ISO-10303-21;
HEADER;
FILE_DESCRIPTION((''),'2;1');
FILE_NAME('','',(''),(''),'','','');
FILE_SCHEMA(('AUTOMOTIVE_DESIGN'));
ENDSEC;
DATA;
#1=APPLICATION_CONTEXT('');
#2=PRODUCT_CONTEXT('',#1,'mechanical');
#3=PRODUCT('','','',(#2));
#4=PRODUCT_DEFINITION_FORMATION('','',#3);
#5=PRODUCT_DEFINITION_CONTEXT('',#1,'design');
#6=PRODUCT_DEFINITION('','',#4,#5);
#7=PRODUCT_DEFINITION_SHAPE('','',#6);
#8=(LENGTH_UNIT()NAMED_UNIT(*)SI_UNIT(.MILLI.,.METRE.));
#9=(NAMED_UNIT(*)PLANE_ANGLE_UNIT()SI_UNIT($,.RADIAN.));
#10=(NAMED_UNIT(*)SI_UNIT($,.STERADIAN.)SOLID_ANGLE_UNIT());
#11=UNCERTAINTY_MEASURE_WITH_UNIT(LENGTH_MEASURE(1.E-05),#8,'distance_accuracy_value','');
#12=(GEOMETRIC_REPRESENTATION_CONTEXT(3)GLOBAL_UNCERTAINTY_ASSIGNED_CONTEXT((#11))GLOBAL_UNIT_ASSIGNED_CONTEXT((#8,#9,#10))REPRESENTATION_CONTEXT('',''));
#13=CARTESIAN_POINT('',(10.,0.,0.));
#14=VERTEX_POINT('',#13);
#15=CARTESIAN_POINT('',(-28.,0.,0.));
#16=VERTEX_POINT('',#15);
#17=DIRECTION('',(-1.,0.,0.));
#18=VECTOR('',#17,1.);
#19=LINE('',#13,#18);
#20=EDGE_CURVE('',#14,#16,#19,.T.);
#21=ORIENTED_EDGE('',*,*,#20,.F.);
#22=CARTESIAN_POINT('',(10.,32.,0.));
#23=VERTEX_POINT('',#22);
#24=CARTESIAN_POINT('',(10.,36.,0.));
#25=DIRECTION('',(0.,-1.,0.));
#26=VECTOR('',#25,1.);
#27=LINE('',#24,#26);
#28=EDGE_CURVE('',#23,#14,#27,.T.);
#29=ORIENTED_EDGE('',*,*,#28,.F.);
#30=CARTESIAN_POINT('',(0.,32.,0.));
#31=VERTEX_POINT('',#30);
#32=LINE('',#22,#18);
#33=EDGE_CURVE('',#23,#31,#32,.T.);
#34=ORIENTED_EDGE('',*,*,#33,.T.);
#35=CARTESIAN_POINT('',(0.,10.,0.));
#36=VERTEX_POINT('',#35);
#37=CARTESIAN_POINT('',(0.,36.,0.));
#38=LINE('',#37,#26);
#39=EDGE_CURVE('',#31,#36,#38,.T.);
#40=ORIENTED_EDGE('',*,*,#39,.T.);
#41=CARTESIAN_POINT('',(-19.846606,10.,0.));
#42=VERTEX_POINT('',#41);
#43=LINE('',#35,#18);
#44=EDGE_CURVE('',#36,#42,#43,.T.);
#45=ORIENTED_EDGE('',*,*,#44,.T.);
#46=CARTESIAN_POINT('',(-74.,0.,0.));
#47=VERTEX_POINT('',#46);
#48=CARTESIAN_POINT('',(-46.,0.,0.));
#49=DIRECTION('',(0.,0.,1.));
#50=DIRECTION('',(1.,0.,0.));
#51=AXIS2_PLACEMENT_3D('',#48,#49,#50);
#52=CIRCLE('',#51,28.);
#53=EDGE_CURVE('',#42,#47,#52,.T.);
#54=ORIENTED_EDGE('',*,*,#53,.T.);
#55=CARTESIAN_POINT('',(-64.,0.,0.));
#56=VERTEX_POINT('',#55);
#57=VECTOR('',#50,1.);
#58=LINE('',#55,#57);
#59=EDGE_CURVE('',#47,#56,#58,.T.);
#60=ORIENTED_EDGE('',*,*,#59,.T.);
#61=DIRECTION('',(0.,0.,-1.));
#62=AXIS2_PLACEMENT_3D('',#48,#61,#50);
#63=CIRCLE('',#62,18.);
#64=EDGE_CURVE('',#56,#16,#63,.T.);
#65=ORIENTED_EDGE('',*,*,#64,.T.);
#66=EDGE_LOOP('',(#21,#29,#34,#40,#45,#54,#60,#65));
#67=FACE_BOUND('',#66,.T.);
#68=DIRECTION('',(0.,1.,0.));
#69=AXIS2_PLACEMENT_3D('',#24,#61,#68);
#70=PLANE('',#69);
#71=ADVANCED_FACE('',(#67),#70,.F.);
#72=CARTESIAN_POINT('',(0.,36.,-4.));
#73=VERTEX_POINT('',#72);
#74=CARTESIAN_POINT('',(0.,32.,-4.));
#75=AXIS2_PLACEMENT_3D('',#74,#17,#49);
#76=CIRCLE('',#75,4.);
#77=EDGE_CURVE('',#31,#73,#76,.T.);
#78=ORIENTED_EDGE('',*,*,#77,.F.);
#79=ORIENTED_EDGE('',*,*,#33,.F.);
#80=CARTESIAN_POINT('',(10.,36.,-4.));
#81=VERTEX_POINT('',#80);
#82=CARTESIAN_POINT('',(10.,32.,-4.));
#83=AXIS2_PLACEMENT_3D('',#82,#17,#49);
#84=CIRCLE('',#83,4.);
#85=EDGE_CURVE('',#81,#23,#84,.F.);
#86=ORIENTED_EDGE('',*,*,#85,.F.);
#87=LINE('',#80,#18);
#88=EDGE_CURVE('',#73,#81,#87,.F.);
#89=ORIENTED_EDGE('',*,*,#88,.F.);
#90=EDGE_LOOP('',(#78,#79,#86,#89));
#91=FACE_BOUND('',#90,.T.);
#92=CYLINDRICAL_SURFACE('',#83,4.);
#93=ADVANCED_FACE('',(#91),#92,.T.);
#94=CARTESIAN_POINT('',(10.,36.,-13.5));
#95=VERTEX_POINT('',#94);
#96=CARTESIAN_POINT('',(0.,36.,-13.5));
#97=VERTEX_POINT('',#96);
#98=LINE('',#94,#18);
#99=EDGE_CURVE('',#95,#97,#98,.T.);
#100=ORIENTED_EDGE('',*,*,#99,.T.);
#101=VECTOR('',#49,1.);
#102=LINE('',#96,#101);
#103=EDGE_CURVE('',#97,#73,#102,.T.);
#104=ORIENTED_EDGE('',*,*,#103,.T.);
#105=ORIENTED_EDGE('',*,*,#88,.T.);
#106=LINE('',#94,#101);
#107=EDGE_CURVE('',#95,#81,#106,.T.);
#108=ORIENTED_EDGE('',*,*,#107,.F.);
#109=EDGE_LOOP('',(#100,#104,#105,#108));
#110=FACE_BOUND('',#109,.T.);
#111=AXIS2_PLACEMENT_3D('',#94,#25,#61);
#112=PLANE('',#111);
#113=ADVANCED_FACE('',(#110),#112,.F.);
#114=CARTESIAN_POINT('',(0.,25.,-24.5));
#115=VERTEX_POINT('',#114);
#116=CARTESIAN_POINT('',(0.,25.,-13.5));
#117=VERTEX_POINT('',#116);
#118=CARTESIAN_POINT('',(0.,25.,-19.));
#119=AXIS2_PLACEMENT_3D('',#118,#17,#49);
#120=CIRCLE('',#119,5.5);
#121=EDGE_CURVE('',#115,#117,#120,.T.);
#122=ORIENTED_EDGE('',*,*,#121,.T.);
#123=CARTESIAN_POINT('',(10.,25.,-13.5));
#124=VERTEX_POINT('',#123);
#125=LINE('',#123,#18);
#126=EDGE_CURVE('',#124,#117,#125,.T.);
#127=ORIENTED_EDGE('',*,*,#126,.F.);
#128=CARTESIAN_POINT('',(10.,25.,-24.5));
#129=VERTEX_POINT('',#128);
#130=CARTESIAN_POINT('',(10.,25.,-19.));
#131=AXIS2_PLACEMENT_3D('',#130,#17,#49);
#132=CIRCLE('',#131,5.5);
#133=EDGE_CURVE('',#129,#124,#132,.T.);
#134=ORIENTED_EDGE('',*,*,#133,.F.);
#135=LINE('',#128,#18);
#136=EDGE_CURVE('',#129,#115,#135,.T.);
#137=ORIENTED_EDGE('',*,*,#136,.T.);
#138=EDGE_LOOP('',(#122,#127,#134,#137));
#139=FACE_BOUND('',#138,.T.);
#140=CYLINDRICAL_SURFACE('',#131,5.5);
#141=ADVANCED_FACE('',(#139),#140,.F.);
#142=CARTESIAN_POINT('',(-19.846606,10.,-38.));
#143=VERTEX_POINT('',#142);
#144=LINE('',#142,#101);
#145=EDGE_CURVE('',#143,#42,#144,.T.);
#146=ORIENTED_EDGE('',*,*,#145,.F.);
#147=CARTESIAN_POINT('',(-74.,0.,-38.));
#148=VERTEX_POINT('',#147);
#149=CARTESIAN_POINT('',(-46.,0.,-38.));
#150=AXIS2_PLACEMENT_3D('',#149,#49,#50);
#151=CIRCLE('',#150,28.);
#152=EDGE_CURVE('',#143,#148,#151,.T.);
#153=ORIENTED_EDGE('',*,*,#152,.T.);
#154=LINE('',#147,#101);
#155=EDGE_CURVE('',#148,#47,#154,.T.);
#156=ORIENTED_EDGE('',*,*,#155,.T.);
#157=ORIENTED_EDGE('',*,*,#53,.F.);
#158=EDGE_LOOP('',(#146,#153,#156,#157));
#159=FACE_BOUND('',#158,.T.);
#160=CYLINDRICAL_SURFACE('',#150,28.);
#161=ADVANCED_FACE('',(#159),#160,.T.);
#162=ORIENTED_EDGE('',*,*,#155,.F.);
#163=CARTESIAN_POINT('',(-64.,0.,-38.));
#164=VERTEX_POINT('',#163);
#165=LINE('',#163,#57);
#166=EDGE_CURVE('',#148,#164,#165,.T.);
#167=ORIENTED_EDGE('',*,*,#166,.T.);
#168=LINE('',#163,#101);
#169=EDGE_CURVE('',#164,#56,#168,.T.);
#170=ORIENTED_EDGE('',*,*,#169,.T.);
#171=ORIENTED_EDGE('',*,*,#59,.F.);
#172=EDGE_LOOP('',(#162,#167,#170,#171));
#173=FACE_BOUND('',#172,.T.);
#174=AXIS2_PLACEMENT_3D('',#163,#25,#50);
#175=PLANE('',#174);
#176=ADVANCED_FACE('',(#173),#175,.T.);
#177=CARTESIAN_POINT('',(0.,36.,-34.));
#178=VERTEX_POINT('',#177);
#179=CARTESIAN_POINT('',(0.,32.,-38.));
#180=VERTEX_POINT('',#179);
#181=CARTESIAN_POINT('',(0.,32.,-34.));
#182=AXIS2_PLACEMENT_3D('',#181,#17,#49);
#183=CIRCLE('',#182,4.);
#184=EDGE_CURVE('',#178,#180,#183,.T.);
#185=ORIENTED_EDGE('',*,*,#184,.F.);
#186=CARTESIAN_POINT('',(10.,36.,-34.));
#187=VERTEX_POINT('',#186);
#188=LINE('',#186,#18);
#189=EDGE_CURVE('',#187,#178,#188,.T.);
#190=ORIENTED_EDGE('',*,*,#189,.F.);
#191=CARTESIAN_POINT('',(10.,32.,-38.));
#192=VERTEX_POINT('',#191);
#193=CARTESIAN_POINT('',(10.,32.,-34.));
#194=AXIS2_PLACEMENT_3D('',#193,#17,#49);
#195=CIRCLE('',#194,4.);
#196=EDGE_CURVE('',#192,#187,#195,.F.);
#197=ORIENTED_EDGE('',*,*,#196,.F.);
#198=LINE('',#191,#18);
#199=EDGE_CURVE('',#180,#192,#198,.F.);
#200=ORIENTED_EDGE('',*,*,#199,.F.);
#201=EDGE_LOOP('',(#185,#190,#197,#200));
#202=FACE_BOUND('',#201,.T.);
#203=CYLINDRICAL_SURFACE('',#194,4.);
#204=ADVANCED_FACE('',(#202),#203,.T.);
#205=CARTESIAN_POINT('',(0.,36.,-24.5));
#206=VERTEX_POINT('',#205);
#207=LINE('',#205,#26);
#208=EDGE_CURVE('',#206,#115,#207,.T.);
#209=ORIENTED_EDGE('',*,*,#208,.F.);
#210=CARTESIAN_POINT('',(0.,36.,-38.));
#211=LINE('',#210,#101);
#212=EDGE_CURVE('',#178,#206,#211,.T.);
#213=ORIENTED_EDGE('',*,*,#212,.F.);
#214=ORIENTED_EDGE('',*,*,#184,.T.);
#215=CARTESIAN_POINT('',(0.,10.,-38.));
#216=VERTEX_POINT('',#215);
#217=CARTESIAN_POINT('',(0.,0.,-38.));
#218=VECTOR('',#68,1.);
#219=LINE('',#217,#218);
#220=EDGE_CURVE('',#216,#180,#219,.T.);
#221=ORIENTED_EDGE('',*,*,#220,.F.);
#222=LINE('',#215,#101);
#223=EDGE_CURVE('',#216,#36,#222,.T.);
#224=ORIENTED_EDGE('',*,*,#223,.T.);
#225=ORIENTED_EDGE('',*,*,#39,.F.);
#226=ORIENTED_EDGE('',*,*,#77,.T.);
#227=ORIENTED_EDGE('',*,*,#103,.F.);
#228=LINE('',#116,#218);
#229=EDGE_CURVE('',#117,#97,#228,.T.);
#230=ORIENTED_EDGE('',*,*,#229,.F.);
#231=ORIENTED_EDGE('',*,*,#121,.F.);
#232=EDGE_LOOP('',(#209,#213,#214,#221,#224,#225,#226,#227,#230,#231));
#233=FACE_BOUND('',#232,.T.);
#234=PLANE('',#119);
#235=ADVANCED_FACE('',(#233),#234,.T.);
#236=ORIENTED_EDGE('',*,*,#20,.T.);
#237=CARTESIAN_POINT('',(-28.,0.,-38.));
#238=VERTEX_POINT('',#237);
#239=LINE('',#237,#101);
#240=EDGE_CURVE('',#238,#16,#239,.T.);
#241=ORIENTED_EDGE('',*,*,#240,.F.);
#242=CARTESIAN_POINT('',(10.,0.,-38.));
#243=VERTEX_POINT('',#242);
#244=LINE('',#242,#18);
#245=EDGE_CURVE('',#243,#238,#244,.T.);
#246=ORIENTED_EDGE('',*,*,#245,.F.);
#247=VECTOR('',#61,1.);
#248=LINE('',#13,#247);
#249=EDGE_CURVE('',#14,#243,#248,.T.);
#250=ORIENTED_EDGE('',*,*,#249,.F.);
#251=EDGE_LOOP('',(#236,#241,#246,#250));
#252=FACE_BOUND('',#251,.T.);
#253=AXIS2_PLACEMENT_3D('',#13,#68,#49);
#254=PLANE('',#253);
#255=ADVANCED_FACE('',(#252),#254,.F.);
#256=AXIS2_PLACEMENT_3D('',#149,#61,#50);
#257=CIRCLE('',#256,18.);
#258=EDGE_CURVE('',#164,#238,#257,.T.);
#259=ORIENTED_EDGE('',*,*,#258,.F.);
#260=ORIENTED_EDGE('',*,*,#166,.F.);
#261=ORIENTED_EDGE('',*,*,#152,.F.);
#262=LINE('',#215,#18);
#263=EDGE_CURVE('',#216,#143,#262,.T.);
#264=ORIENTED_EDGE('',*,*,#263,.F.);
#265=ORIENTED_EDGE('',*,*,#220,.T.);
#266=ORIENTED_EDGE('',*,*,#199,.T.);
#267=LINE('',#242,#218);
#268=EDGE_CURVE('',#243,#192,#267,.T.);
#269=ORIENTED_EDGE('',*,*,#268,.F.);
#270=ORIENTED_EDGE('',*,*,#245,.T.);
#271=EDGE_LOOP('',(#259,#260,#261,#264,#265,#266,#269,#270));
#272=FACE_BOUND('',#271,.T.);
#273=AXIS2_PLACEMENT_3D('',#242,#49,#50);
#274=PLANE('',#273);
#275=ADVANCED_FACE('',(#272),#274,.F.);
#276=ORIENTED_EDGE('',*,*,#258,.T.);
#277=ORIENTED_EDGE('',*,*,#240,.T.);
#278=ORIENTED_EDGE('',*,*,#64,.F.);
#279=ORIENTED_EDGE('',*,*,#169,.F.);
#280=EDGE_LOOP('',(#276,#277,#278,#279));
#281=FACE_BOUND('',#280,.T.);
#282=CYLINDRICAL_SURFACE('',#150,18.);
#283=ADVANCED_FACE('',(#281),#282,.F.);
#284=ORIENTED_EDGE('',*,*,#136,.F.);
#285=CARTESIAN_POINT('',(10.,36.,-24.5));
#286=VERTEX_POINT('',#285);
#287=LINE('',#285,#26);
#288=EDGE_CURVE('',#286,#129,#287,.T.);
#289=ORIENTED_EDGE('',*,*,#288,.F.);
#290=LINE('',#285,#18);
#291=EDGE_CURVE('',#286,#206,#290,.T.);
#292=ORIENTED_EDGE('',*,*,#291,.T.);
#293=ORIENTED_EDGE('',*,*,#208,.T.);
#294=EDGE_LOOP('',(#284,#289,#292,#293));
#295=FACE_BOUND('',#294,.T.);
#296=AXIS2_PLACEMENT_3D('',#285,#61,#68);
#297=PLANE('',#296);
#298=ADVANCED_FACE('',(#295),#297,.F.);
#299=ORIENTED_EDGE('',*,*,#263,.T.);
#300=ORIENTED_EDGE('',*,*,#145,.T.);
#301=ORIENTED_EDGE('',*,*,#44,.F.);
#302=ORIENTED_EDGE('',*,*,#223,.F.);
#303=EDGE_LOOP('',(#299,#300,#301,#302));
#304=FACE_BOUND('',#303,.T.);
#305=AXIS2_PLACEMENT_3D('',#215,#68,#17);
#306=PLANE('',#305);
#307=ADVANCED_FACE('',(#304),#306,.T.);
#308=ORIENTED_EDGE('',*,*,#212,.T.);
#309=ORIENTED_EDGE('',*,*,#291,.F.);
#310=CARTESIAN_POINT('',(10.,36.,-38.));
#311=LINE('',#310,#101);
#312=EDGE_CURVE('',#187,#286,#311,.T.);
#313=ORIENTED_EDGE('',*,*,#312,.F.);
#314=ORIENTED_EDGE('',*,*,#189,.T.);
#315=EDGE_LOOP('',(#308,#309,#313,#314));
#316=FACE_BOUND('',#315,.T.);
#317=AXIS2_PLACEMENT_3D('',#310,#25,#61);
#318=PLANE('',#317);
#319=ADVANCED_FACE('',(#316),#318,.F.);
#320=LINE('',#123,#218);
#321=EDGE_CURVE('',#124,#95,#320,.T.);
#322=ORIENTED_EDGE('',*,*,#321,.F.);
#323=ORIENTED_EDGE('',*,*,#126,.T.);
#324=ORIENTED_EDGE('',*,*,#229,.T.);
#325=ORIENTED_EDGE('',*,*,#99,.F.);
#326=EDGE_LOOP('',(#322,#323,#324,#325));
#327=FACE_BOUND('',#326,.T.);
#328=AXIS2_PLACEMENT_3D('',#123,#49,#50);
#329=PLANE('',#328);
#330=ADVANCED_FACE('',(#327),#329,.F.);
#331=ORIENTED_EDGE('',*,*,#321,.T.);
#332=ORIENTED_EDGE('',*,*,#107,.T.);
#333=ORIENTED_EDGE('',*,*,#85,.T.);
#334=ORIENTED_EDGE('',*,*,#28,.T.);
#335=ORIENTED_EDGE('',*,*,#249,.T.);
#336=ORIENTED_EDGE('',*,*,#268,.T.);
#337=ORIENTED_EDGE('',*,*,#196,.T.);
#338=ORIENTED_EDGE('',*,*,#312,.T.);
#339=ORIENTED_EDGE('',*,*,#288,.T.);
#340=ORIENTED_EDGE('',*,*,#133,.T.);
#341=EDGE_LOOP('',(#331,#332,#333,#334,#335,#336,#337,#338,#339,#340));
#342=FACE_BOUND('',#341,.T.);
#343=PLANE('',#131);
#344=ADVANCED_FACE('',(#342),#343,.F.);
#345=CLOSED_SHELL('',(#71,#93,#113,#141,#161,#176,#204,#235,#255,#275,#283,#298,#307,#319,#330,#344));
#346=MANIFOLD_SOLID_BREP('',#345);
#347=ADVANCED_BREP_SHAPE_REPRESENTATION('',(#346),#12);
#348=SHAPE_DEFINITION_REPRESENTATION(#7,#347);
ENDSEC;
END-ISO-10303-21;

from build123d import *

# Parameters (mm, degrees)
EXTRUDE_1_DEPTH = 10
FILLET_1_R      = 4
EXTRUDE_2_DEPTH = 38


with BuildPart() as part:
    # 草圖1 → 填料-伸長1 (new body)
    with BuildSketch(Plane(origin=(0, 0, 0), x_dir=(0, 0, -1), z_dir=(1, 0, 0))):
        with BuildLine():
            Line((0, 0), (38, 0))
            Line((38, 0), (38, 36))
            Line((38, 36), (24.5, 36))
            Line((24.5, 36), (24.5, 25))
            ThreePointArc((24.5, 25), (19, 19.5), (13.5, 25))
            Line((13.5, 25), (13.5, 36))
            Line((13.5, 36), (0, 36))
            Line((0, 36), (0, 0))
        make_face()
    extrude(amount=EXTRUDE_1_DEPTH)

    # 圓角1
    fillet_1_edges = [part.edges().sort_by_distance(p)[0] for p in [
        (5, 36, 0),
        (5, 36, -38),
    ]]
    fillet(fillet_1_edges, radius=FILLET_1_R)

    # 草圖2 → 填料-伸長2 (add)
    with BuildSketch(Plane.XY):
        with BuildLine():
            Line((-64, 0), (-74, 0))
            ThreePointArc((-74, 0), (-51.08453427, 27.534478591), (-19.846606339, 10))
            Line((-19.846606339, 10), (0, 10))
            Line((0, 10), (0, 0))
            Line((0, 0), (-28, 0))
            ThreePointArc((-28, 0), (-46, 18), (-64, 0))
        make_face()
    extrude(amount=-EXTRUDE_2_DEPTH)


solid = part.part
